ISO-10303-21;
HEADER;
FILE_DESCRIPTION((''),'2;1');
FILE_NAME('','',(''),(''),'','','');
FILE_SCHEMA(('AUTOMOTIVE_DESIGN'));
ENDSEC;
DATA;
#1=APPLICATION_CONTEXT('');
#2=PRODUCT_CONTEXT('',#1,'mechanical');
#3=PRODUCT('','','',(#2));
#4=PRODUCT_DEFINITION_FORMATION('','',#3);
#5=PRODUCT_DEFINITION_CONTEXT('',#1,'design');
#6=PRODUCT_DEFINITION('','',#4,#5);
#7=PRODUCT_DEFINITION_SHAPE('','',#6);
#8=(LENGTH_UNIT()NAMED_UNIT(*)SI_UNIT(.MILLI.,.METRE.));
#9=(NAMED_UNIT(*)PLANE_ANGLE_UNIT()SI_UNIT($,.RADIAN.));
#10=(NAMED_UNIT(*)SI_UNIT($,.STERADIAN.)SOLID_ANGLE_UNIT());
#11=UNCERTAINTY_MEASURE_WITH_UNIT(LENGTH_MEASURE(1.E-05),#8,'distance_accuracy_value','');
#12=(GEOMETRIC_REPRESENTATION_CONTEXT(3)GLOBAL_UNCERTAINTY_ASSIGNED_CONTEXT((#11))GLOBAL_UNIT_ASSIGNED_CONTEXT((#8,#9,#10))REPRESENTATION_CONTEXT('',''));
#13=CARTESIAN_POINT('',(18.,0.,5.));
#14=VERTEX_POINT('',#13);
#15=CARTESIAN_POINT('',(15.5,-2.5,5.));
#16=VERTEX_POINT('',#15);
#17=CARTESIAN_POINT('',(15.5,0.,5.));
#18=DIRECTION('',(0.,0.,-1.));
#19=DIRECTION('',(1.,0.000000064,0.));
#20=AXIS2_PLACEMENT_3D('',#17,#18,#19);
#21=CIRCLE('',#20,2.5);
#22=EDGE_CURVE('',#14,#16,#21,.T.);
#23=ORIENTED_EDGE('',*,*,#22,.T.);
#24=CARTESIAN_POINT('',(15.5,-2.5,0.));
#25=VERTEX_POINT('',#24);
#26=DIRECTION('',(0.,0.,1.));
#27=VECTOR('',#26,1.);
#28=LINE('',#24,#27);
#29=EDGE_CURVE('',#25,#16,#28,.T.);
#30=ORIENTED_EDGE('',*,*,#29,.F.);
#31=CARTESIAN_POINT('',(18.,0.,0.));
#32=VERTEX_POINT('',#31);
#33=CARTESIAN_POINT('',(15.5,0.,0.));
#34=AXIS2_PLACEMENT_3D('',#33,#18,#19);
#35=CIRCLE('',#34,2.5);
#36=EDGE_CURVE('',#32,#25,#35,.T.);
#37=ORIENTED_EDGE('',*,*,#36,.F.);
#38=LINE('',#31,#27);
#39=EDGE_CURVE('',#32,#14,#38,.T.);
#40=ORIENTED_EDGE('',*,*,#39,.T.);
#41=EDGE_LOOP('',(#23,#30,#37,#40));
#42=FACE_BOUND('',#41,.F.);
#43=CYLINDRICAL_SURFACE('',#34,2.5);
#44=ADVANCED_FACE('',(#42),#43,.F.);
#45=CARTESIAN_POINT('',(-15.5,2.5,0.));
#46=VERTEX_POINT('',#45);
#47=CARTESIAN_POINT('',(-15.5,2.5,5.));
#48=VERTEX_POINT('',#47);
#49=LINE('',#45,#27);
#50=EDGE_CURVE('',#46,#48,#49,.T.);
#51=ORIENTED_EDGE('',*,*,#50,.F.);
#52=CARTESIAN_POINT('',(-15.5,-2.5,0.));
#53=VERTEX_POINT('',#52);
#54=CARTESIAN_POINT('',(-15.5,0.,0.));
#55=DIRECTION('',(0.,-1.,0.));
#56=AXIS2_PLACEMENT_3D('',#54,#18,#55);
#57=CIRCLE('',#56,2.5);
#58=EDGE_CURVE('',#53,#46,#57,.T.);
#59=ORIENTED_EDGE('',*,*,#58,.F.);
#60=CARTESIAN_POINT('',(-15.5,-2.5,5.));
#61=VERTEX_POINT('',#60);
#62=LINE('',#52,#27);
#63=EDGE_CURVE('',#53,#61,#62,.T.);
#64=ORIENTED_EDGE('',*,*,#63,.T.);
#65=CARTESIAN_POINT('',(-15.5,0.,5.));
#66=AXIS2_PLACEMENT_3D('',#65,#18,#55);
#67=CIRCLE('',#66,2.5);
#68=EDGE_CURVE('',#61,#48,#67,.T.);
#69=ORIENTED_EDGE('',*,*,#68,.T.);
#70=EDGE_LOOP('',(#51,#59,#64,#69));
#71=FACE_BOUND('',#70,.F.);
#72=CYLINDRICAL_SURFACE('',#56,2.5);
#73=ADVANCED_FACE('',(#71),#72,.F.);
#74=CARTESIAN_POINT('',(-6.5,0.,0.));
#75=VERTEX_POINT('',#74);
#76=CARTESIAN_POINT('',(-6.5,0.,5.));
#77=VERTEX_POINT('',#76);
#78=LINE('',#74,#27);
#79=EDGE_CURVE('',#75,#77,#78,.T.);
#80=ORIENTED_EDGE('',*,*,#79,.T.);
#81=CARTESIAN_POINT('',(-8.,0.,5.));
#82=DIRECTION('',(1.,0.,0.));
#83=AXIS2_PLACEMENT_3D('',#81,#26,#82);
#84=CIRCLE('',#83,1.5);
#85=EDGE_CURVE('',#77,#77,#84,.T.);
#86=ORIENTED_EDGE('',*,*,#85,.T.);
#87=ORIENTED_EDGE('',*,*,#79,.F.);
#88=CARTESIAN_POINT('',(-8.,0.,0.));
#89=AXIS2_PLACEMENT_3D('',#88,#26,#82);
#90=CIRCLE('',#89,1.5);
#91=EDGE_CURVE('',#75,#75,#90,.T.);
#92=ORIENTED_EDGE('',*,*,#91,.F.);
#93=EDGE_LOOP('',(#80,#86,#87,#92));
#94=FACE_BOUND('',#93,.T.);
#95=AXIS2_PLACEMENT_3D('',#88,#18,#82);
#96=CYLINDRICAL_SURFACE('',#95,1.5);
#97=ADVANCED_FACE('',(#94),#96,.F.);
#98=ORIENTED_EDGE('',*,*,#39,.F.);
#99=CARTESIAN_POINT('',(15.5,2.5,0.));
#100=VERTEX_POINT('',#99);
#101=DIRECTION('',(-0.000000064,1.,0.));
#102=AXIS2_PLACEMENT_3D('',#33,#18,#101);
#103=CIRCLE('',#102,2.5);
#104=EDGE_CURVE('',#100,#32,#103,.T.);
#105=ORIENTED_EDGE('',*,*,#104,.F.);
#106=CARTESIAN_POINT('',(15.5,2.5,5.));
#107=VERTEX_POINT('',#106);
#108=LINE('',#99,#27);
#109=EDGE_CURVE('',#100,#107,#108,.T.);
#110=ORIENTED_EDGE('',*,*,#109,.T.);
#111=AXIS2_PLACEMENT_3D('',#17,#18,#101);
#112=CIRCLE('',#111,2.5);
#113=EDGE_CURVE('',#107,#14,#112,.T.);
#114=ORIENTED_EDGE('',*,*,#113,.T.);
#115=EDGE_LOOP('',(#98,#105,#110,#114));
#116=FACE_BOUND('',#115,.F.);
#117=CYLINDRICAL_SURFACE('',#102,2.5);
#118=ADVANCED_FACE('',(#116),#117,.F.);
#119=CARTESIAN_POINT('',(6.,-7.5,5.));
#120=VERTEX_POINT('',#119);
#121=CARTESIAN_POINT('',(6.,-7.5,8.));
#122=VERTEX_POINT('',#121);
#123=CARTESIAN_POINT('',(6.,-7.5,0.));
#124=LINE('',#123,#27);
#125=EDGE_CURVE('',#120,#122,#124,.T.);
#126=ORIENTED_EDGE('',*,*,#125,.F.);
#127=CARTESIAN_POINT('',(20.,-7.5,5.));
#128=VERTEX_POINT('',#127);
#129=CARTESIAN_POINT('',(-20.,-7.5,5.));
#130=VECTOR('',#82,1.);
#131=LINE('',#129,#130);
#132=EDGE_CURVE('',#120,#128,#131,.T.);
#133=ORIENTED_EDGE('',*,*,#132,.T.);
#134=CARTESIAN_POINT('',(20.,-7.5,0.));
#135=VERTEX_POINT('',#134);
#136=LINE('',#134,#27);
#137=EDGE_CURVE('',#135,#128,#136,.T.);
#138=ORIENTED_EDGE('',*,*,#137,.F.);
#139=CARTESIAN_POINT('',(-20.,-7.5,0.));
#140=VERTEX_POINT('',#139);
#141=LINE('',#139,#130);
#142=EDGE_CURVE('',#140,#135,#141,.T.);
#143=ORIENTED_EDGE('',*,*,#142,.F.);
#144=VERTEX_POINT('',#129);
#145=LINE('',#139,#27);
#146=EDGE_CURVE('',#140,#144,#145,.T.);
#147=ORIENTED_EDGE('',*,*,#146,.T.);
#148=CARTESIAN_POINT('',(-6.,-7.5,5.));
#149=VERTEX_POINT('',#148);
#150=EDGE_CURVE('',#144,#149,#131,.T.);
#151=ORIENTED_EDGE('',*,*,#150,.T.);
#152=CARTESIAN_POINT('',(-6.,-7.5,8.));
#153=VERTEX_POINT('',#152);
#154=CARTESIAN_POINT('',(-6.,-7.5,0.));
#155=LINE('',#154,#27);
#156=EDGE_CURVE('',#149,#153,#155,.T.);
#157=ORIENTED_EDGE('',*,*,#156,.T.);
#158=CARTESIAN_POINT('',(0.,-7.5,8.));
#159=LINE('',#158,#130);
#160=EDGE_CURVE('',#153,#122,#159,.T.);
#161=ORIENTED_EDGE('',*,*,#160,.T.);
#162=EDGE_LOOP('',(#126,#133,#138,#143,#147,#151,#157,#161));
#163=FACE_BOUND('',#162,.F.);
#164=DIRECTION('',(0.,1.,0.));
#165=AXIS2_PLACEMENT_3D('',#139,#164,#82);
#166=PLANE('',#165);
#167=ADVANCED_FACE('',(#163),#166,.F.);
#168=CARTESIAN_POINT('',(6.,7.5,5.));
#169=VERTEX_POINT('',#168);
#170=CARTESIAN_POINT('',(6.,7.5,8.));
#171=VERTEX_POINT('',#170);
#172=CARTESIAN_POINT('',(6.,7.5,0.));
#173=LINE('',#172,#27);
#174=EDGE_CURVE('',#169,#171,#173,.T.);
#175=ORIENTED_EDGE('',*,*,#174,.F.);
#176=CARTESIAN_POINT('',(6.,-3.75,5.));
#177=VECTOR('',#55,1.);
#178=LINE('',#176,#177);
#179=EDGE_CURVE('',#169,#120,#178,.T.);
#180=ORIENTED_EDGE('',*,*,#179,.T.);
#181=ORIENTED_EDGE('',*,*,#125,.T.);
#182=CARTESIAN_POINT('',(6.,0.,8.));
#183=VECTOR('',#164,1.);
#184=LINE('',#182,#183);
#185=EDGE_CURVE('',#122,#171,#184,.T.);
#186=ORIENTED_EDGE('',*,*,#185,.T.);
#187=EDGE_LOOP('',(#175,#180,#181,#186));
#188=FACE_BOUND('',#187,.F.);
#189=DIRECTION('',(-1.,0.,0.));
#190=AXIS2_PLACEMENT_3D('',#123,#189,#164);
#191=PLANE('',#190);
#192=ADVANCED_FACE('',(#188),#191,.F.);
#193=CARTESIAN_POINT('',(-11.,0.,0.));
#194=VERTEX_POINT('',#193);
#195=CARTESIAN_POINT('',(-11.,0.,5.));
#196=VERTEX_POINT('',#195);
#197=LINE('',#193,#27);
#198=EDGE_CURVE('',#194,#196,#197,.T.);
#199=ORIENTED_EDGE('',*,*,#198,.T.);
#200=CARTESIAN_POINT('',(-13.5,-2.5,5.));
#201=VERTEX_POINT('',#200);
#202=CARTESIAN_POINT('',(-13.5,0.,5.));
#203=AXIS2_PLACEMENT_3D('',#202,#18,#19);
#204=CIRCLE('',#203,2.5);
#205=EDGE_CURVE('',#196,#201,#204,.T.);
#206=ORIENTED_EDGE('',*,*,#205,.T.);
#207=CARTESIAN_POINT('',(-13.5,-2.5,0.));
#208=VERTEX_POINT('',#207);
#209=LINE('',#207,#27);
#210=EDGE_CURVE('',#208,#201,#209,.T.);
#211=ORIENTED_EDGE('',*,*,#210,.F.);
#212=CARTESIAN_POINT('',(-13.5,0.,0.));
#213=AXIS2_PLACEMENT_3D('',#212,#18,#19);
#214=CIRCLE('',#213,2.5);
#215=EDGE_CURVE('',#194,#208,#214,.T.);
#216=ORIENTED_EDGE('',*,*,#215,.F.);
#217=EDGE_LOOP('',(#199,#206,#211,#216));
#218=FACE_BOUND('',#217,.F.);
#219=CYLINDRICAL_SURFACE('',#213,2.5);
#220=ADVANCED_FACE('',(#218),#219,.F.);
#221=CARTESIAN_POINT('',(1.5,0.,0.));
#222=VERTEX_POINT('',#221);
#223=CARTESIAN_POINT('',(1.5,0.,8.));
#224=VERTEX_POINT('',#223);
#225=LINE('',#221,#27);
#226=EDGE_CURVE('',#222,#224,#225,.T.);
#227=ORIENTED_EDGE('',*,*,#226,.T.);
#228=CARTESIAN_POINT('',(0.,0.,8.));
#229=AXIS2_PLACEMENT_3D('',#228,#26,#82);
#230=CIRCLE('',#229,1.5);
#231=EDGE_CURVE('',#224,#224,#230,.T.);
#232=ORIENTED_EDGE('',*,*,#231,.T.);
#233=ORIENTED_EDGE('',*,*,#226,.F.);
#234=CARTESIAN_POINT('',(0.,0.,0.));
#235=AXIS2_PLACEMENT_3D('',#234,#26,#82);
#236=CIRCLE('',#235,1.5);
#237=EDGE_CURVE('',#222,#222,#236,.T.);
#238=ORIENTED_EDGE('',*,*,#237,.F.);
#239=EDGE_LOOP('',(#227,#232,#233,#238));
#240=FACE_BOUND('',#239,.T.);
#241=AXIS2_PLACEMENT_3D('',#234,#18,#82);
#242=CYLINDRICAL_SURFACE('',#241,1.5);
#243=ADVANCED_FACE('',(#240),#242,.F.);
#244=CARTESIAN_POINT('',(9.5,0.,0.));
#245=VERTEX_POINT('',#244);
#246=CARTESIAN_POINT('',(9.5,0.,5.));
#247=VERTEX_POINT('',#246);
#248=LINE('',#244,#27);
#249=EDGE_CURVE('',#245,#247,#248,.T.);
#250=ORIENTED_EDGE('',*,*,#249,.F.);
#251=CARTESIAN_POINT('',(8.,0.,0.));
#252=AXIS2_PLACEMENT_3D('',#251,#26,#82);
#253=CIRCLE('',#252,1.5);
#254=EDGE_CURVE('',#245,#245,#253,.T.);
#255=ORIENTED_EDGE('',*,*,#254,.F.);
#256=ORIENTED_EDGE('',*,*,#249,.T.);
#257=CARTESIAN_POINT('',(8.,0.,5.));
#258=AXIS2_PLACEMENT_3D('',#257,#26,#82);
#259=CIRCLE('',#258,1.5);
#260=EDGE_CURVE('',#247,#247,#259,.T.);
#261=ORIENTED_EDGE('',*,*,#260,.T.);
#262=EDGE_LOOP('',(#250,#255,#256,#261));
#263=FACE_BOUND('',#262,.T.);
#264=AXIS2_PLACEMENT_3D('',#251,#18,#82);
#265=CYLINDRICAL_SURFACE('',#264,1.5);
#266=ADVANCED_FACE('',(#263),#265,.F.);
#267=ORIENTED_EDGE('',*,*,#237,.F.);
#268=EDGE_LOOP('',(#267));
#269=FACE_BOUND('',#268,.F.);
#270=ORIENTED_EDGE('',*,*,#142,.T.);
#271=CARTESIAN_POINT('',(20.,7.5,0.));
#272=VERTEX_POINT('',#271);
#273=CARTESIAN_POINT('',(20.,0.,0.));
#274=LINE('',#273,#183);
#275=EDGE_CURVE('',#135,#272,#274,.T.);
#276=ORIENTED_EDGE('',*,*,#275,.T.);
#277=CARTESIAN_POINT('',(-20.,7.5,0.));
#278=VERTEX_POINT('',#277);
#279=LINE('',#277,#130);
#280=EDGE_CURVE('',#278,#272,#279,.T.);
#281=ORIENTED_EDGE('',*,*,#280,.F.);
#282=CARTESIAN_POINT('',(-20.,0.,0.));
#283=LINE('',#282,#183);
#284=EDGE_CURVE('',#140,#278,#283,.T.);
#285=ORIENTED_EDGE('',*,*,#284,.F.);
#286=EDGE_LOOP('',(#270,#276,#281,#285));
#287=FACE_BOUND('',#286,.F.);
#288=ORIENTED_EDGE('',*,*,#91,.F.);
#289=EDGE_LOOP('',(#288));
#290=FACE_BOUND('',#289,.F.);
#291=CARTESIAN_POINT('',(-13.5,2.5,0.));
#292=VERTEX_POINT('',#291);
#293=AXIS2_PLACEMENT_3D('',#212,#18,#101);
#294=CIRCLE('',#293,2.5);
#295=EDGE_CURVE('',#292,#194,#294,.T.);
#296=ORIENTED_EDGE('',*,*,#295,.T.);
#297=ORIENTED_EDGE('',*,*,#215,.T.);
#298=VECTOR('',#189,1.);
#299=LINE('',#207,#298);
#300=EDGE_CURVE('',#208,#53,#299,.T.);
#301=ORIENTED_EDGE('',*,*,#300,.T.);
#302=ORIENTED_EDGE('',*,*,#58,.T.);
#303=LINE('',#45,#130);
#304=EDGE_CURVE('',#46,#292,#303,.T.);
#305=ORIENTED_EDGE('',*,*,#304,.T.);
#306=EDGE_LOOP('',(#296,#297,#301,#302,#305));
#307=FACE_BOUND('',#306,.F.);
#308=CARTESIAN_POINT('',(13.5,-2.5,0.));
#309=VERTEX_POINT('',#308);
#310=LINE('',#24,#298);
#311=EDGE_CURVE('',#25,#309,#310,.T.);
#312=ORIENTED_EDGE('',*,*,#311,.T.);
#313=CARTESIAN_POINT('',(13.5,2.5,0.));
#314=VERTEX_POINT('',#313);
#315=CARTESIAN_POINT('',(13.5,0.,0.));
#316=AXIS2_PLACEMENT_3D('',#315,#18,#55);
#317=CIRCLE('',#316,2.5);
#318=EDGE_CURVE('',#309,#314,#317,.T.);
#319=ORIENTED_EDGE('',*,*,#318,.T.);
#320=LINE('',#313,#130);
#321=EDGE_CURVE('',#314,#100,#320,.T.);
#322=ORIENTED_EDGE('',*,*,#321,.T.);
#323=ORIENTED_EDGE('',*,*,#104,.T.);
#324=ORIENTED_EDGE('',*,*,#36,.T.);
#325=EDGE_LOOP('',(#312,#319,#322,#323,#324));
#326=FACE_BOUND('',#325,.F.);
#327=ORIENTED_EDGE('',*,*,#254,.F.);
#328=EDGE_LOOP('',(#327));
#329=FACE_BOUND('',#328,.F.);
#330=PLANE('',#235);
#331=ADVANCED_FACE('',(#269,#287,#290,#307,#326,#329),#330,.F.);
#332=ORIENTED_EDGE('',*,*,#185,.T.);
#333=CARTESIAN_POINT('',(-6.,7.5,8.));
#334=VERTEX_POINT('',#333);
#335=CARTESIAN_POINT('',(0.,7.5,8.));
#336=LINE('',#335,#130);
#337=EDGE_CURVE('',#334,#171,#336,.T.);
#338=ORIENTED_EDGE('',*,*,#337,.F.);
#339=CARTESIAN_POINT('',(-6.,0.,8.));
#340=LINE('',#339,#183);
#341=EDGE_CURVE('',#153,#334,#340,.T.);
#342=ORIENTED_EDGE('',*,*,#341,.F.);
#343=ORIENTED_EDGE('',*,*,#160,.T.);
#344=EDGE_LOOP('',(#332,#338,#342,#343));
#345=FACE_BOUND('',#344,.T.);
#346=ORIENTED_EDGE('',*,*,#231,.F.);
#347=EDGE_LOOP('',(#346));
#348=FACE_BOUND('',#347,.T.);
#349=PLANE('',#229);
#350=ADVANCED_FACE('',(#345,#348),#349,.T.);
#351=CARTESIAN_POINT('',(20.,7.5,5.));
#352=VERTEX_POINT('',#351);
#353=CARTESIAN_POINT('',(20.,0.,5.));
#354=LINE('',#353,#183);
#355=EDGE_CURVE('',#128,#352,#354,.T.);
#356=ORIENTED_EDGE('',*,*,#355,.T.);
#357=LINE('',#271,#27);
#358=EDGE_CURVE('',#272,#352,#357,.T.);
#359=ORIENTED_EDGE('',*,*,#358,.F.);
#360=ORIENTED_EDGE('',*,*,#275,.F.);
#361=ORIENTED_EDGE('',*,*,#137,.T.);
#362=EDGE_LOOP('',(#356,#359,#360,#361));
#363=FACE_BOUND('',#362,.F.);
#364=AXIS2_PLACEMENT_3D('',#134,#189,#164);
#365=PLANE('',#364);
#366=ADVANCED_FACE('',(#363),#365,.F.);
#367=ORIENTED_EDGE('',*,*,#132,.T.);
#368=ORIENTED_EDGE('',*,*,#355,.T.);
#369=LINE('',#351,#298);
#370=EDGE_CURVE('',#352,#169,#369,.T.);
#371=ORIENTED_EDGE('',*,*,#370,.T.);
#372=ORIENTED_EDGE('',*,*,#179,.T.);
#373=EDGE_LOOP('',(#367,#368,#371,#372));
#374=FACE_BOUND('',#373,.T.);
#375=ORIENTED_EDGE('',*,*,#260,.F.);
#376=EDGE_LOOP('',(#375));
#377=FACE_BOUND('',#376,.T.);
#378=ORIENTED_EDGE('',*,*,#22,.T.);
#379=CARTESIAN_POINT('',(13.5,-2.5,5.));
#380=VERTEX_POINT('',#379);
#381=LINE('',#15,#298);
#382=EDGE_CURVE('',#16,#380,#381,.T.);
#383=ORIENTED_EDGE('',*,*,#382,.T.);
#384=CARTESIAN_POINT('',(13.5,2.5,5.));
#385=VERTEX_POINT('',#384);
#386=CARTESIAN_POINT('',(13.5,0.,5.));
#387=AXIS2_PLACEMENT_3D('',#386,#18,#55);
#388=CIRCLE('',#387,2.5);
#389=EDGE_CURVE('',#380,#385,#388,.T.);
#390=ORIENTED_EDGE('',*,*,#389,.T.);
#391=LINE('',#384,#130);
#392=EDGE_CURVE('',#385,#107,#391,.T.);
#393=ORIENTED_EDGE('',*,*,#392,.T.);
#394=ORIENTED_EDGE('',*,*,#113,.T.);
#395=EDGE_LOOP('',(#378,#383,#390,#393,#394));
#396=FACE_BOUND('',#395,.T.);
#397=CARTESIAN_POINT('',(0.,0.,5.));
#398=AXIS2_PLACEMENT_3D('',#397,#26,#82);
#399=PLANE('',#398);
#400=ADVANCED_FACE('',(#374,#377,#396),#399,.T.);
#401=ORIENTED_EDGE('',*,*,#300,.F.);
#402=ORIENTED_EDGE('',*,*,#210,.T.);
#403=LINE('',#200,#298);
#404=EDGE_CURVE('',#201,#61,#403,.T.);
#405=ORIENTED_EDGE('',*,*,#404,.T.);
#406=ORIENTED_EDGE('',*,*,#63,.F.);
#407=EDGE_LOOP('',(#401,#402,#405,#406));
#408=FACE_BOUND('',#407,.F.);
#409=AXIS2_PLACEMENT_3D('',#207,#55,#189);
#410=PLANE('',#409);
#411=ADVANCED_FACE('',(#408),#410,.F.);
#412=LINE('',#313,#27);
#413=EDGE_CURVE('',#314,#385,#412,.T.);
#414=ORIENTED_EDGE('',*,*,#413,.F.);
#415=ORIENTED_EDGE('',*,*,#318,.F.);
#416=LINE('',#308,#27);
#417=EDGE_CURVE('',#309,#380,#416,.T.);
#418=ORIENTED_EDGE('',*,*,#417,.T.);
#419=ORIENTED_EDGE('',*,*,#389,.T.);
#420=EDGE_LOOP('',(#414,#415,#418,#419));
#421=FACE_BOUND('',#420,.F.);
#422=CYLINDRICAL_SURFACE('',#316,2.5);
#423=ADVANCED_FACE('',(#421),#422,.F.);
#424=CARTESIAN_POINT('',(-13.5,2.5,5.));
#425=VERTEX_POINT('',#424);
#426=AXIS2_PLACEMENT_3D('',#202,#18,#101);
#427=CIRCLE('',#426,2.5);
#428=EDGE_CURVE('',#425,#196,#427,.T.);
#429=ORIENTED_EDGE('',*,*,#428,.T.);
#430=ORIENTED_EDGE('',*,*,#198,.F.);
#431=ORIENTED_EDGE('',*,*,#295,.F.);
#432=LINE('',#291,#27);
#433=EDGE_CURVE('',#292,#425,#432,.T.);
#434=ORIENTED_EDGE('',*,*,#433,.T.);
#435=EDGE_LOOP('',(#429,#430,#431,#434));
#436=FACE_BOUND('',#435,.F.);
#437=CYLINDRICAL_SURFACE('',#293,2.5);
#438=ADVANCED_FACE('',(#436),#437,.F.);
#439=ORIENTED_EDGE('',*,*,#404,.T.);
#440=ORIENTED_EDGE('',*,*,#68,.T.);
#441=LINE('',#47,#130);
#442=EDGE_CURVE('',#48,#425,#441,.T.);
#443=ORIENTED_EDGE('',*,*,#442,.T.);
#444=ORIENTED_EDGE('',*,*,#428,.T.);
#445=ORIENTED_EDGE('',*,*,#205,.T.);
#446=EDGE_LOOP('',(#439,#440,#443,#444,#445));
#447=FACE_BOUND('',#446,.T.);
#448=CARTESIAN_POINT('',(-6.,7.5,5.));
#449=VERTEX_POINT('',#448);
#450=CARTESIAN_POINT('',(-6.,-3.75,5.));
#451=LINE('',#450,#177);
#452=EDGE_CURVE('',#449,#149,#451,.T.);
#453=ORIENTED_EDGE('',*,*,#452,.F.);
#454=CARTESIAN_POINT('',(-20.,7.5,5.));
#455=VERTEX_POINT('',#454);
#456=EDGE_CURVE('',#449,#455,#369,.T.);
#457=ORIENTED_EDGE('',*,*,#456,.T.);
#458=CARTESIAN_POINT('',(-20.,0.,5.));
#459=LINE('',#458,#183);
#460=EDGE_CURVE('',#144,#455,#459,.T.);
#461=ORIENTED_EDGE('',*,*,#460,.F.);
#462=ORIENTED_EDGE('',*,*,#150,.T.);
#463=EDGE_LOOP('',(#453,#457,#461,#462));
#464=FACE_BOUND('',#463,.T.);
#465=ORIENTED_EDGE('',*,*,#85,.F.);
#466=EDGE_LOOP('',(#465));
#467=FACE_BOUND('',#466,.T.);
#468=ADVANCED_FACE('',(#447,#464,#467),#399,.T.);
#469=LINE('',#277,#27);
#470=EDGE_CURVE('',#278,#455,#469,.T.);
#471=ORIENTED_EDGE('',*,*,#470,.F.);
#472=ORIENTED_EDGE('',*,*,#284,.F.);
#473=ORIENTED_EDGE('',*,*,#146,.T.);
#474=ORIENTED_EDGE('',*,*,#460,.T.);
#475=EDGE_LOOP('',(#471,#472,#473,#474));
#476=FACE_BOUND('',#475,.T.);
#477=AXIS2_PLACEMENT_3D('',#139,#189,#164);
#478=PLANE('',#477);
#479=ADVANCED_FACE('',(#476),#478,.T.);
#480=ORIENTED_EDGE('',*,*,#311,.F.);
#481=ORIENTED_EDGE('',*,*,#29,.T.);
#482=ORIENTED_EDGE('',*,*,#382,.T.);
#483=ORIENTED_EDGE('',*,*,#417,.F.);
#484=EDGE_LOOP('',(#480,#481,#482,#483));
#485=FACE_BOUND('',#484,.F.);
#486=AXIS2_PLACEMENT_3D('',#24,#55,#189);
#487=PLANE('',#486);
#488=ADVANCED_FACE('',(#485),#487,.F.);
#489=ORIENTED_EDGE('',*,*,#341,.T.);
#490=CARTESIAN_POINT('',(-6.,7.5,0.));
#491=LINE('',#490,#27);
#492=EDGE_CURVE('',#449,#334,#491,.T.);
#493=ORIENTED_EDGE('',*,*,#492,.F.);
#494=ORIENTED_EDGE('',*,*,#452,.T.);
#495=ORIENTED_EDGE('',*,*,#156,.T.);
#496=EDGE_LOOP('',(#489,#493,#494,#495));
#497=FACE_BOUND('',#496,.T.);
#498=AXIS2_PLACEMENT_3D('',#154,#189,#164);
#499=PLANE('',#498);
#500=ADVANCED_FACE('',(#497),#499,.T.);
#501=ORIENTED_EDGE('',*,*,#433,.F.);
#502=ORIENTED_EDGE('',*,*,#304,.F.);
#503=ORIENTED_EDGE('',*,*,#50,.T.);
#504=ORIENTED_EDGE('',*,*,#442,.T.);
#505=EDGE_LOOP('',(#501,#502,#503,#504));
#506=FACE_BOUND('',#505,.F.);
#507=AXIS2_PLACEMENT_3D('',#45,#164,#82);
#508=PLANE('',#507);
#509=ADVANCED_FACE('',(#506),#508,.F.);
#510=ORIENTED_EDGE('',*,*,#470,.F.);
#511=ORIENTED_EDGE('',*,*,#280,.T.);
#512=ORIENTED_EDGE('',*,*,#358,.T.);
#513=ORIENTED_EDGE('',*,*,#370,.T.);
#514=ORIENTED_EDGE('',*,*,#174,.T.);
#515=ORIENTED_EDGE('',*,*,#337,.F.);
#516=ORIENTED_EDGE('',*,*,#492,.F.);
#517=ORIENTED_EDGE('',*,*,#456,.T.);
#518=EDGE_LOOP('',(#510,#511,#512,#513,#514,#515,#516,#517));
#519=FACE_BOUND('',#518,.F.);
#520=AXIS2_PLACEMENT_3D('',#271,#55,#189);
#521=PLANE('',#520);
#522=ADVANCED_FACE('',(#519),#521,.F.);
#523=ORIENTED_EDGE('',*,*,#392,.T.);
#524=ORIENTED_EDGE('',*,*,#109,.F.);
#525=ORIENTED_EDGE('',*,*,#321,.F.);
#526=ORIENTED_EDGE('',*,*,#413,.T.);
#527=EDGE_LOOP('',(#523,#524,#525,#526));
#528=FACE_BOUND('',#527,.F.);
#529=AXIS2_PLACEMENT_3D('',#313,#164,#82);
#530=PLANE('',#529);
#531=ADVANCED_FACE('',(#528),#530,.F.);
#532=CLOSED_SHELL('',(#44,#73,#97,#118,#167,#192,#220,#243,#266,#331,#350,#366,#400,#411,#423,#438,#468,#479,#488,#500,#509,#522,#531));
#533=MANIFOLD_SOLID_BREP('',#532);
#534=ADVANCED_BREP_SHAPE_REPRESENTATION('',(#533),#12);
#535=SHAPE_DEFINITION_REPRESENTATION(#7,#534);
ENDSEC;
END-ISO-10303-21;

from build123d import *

# Parameters (mm, degrees)
F0_W     = 12
F0_H     = 15
F0_R     = 1.5
F0_W_2   = 14
F1_DEPTH = 5
F2_DEPTH = 8


with BuildPart() as f1:
    # F0 (on Top) → F1 (new body)
    with BuildSketch(Plane.XY):
        Rectangle(F0_W, F0_H)
        Circle(F0_R, mode=Mode.SUBTRACT)
        with Locations((-13, 0)):
            Rectangle(F0_W_2, F0_H)
        with BuildLine():
            ThreePointArc((-15.5, -2.5), (-18, 0), (-15.5, 2.5))
            Line((-15.5, 2.5), (-13.5, 2.5))
            ThreePointArc((-13.5, 2.5), (-11.732233, 1.767767), (-11, 0))
            ThreePointArc((-11, 0), (-11.732233, -1.767767), (-13.5, -2.5))
            Line((-13.5, -2.5), (-15.5, -2.5))
        make_face(mode=Mode.SUBTRACT)
        with Locations((-8, 0)):
            Circle(F0_R, mode=Mode.SUBTRACT)
        with Locations((13, 0)):
            Rectangle(F0_W_2, F0_H)
        with Locations((8, 0)):
            Circle(F0_R, mode=Mode.SUBTRACT)
        with BuildLine():
            ThreePointArc((15.5, 2.5), (17.267767, 1.767767), (18, 0))
            ThreePointArc((18, 0), (17.267767, -1.767767), (15.5, -2.5))
            Line((15.5, -2.5), (13.5, -2.5))
            ThreePointArc((13.5, -2.5), (11, 0), (13.5, 2.5))
            Line((13.5, 2.5), (15.5, 2.5))
        make_face(mode=Mode.SUBTRACT)
    extrude(amount=F1_DEPTH)

    # F0 (on Top) → F2 (join)
    with BuildSketch(Plane.XY):
        Rectangle(F0_W, F0_H)
        Circle(F0_R, mode=Mode.SUBTRACT)
    extrude(amount=F2_DEPTH)


solid = f1.part
